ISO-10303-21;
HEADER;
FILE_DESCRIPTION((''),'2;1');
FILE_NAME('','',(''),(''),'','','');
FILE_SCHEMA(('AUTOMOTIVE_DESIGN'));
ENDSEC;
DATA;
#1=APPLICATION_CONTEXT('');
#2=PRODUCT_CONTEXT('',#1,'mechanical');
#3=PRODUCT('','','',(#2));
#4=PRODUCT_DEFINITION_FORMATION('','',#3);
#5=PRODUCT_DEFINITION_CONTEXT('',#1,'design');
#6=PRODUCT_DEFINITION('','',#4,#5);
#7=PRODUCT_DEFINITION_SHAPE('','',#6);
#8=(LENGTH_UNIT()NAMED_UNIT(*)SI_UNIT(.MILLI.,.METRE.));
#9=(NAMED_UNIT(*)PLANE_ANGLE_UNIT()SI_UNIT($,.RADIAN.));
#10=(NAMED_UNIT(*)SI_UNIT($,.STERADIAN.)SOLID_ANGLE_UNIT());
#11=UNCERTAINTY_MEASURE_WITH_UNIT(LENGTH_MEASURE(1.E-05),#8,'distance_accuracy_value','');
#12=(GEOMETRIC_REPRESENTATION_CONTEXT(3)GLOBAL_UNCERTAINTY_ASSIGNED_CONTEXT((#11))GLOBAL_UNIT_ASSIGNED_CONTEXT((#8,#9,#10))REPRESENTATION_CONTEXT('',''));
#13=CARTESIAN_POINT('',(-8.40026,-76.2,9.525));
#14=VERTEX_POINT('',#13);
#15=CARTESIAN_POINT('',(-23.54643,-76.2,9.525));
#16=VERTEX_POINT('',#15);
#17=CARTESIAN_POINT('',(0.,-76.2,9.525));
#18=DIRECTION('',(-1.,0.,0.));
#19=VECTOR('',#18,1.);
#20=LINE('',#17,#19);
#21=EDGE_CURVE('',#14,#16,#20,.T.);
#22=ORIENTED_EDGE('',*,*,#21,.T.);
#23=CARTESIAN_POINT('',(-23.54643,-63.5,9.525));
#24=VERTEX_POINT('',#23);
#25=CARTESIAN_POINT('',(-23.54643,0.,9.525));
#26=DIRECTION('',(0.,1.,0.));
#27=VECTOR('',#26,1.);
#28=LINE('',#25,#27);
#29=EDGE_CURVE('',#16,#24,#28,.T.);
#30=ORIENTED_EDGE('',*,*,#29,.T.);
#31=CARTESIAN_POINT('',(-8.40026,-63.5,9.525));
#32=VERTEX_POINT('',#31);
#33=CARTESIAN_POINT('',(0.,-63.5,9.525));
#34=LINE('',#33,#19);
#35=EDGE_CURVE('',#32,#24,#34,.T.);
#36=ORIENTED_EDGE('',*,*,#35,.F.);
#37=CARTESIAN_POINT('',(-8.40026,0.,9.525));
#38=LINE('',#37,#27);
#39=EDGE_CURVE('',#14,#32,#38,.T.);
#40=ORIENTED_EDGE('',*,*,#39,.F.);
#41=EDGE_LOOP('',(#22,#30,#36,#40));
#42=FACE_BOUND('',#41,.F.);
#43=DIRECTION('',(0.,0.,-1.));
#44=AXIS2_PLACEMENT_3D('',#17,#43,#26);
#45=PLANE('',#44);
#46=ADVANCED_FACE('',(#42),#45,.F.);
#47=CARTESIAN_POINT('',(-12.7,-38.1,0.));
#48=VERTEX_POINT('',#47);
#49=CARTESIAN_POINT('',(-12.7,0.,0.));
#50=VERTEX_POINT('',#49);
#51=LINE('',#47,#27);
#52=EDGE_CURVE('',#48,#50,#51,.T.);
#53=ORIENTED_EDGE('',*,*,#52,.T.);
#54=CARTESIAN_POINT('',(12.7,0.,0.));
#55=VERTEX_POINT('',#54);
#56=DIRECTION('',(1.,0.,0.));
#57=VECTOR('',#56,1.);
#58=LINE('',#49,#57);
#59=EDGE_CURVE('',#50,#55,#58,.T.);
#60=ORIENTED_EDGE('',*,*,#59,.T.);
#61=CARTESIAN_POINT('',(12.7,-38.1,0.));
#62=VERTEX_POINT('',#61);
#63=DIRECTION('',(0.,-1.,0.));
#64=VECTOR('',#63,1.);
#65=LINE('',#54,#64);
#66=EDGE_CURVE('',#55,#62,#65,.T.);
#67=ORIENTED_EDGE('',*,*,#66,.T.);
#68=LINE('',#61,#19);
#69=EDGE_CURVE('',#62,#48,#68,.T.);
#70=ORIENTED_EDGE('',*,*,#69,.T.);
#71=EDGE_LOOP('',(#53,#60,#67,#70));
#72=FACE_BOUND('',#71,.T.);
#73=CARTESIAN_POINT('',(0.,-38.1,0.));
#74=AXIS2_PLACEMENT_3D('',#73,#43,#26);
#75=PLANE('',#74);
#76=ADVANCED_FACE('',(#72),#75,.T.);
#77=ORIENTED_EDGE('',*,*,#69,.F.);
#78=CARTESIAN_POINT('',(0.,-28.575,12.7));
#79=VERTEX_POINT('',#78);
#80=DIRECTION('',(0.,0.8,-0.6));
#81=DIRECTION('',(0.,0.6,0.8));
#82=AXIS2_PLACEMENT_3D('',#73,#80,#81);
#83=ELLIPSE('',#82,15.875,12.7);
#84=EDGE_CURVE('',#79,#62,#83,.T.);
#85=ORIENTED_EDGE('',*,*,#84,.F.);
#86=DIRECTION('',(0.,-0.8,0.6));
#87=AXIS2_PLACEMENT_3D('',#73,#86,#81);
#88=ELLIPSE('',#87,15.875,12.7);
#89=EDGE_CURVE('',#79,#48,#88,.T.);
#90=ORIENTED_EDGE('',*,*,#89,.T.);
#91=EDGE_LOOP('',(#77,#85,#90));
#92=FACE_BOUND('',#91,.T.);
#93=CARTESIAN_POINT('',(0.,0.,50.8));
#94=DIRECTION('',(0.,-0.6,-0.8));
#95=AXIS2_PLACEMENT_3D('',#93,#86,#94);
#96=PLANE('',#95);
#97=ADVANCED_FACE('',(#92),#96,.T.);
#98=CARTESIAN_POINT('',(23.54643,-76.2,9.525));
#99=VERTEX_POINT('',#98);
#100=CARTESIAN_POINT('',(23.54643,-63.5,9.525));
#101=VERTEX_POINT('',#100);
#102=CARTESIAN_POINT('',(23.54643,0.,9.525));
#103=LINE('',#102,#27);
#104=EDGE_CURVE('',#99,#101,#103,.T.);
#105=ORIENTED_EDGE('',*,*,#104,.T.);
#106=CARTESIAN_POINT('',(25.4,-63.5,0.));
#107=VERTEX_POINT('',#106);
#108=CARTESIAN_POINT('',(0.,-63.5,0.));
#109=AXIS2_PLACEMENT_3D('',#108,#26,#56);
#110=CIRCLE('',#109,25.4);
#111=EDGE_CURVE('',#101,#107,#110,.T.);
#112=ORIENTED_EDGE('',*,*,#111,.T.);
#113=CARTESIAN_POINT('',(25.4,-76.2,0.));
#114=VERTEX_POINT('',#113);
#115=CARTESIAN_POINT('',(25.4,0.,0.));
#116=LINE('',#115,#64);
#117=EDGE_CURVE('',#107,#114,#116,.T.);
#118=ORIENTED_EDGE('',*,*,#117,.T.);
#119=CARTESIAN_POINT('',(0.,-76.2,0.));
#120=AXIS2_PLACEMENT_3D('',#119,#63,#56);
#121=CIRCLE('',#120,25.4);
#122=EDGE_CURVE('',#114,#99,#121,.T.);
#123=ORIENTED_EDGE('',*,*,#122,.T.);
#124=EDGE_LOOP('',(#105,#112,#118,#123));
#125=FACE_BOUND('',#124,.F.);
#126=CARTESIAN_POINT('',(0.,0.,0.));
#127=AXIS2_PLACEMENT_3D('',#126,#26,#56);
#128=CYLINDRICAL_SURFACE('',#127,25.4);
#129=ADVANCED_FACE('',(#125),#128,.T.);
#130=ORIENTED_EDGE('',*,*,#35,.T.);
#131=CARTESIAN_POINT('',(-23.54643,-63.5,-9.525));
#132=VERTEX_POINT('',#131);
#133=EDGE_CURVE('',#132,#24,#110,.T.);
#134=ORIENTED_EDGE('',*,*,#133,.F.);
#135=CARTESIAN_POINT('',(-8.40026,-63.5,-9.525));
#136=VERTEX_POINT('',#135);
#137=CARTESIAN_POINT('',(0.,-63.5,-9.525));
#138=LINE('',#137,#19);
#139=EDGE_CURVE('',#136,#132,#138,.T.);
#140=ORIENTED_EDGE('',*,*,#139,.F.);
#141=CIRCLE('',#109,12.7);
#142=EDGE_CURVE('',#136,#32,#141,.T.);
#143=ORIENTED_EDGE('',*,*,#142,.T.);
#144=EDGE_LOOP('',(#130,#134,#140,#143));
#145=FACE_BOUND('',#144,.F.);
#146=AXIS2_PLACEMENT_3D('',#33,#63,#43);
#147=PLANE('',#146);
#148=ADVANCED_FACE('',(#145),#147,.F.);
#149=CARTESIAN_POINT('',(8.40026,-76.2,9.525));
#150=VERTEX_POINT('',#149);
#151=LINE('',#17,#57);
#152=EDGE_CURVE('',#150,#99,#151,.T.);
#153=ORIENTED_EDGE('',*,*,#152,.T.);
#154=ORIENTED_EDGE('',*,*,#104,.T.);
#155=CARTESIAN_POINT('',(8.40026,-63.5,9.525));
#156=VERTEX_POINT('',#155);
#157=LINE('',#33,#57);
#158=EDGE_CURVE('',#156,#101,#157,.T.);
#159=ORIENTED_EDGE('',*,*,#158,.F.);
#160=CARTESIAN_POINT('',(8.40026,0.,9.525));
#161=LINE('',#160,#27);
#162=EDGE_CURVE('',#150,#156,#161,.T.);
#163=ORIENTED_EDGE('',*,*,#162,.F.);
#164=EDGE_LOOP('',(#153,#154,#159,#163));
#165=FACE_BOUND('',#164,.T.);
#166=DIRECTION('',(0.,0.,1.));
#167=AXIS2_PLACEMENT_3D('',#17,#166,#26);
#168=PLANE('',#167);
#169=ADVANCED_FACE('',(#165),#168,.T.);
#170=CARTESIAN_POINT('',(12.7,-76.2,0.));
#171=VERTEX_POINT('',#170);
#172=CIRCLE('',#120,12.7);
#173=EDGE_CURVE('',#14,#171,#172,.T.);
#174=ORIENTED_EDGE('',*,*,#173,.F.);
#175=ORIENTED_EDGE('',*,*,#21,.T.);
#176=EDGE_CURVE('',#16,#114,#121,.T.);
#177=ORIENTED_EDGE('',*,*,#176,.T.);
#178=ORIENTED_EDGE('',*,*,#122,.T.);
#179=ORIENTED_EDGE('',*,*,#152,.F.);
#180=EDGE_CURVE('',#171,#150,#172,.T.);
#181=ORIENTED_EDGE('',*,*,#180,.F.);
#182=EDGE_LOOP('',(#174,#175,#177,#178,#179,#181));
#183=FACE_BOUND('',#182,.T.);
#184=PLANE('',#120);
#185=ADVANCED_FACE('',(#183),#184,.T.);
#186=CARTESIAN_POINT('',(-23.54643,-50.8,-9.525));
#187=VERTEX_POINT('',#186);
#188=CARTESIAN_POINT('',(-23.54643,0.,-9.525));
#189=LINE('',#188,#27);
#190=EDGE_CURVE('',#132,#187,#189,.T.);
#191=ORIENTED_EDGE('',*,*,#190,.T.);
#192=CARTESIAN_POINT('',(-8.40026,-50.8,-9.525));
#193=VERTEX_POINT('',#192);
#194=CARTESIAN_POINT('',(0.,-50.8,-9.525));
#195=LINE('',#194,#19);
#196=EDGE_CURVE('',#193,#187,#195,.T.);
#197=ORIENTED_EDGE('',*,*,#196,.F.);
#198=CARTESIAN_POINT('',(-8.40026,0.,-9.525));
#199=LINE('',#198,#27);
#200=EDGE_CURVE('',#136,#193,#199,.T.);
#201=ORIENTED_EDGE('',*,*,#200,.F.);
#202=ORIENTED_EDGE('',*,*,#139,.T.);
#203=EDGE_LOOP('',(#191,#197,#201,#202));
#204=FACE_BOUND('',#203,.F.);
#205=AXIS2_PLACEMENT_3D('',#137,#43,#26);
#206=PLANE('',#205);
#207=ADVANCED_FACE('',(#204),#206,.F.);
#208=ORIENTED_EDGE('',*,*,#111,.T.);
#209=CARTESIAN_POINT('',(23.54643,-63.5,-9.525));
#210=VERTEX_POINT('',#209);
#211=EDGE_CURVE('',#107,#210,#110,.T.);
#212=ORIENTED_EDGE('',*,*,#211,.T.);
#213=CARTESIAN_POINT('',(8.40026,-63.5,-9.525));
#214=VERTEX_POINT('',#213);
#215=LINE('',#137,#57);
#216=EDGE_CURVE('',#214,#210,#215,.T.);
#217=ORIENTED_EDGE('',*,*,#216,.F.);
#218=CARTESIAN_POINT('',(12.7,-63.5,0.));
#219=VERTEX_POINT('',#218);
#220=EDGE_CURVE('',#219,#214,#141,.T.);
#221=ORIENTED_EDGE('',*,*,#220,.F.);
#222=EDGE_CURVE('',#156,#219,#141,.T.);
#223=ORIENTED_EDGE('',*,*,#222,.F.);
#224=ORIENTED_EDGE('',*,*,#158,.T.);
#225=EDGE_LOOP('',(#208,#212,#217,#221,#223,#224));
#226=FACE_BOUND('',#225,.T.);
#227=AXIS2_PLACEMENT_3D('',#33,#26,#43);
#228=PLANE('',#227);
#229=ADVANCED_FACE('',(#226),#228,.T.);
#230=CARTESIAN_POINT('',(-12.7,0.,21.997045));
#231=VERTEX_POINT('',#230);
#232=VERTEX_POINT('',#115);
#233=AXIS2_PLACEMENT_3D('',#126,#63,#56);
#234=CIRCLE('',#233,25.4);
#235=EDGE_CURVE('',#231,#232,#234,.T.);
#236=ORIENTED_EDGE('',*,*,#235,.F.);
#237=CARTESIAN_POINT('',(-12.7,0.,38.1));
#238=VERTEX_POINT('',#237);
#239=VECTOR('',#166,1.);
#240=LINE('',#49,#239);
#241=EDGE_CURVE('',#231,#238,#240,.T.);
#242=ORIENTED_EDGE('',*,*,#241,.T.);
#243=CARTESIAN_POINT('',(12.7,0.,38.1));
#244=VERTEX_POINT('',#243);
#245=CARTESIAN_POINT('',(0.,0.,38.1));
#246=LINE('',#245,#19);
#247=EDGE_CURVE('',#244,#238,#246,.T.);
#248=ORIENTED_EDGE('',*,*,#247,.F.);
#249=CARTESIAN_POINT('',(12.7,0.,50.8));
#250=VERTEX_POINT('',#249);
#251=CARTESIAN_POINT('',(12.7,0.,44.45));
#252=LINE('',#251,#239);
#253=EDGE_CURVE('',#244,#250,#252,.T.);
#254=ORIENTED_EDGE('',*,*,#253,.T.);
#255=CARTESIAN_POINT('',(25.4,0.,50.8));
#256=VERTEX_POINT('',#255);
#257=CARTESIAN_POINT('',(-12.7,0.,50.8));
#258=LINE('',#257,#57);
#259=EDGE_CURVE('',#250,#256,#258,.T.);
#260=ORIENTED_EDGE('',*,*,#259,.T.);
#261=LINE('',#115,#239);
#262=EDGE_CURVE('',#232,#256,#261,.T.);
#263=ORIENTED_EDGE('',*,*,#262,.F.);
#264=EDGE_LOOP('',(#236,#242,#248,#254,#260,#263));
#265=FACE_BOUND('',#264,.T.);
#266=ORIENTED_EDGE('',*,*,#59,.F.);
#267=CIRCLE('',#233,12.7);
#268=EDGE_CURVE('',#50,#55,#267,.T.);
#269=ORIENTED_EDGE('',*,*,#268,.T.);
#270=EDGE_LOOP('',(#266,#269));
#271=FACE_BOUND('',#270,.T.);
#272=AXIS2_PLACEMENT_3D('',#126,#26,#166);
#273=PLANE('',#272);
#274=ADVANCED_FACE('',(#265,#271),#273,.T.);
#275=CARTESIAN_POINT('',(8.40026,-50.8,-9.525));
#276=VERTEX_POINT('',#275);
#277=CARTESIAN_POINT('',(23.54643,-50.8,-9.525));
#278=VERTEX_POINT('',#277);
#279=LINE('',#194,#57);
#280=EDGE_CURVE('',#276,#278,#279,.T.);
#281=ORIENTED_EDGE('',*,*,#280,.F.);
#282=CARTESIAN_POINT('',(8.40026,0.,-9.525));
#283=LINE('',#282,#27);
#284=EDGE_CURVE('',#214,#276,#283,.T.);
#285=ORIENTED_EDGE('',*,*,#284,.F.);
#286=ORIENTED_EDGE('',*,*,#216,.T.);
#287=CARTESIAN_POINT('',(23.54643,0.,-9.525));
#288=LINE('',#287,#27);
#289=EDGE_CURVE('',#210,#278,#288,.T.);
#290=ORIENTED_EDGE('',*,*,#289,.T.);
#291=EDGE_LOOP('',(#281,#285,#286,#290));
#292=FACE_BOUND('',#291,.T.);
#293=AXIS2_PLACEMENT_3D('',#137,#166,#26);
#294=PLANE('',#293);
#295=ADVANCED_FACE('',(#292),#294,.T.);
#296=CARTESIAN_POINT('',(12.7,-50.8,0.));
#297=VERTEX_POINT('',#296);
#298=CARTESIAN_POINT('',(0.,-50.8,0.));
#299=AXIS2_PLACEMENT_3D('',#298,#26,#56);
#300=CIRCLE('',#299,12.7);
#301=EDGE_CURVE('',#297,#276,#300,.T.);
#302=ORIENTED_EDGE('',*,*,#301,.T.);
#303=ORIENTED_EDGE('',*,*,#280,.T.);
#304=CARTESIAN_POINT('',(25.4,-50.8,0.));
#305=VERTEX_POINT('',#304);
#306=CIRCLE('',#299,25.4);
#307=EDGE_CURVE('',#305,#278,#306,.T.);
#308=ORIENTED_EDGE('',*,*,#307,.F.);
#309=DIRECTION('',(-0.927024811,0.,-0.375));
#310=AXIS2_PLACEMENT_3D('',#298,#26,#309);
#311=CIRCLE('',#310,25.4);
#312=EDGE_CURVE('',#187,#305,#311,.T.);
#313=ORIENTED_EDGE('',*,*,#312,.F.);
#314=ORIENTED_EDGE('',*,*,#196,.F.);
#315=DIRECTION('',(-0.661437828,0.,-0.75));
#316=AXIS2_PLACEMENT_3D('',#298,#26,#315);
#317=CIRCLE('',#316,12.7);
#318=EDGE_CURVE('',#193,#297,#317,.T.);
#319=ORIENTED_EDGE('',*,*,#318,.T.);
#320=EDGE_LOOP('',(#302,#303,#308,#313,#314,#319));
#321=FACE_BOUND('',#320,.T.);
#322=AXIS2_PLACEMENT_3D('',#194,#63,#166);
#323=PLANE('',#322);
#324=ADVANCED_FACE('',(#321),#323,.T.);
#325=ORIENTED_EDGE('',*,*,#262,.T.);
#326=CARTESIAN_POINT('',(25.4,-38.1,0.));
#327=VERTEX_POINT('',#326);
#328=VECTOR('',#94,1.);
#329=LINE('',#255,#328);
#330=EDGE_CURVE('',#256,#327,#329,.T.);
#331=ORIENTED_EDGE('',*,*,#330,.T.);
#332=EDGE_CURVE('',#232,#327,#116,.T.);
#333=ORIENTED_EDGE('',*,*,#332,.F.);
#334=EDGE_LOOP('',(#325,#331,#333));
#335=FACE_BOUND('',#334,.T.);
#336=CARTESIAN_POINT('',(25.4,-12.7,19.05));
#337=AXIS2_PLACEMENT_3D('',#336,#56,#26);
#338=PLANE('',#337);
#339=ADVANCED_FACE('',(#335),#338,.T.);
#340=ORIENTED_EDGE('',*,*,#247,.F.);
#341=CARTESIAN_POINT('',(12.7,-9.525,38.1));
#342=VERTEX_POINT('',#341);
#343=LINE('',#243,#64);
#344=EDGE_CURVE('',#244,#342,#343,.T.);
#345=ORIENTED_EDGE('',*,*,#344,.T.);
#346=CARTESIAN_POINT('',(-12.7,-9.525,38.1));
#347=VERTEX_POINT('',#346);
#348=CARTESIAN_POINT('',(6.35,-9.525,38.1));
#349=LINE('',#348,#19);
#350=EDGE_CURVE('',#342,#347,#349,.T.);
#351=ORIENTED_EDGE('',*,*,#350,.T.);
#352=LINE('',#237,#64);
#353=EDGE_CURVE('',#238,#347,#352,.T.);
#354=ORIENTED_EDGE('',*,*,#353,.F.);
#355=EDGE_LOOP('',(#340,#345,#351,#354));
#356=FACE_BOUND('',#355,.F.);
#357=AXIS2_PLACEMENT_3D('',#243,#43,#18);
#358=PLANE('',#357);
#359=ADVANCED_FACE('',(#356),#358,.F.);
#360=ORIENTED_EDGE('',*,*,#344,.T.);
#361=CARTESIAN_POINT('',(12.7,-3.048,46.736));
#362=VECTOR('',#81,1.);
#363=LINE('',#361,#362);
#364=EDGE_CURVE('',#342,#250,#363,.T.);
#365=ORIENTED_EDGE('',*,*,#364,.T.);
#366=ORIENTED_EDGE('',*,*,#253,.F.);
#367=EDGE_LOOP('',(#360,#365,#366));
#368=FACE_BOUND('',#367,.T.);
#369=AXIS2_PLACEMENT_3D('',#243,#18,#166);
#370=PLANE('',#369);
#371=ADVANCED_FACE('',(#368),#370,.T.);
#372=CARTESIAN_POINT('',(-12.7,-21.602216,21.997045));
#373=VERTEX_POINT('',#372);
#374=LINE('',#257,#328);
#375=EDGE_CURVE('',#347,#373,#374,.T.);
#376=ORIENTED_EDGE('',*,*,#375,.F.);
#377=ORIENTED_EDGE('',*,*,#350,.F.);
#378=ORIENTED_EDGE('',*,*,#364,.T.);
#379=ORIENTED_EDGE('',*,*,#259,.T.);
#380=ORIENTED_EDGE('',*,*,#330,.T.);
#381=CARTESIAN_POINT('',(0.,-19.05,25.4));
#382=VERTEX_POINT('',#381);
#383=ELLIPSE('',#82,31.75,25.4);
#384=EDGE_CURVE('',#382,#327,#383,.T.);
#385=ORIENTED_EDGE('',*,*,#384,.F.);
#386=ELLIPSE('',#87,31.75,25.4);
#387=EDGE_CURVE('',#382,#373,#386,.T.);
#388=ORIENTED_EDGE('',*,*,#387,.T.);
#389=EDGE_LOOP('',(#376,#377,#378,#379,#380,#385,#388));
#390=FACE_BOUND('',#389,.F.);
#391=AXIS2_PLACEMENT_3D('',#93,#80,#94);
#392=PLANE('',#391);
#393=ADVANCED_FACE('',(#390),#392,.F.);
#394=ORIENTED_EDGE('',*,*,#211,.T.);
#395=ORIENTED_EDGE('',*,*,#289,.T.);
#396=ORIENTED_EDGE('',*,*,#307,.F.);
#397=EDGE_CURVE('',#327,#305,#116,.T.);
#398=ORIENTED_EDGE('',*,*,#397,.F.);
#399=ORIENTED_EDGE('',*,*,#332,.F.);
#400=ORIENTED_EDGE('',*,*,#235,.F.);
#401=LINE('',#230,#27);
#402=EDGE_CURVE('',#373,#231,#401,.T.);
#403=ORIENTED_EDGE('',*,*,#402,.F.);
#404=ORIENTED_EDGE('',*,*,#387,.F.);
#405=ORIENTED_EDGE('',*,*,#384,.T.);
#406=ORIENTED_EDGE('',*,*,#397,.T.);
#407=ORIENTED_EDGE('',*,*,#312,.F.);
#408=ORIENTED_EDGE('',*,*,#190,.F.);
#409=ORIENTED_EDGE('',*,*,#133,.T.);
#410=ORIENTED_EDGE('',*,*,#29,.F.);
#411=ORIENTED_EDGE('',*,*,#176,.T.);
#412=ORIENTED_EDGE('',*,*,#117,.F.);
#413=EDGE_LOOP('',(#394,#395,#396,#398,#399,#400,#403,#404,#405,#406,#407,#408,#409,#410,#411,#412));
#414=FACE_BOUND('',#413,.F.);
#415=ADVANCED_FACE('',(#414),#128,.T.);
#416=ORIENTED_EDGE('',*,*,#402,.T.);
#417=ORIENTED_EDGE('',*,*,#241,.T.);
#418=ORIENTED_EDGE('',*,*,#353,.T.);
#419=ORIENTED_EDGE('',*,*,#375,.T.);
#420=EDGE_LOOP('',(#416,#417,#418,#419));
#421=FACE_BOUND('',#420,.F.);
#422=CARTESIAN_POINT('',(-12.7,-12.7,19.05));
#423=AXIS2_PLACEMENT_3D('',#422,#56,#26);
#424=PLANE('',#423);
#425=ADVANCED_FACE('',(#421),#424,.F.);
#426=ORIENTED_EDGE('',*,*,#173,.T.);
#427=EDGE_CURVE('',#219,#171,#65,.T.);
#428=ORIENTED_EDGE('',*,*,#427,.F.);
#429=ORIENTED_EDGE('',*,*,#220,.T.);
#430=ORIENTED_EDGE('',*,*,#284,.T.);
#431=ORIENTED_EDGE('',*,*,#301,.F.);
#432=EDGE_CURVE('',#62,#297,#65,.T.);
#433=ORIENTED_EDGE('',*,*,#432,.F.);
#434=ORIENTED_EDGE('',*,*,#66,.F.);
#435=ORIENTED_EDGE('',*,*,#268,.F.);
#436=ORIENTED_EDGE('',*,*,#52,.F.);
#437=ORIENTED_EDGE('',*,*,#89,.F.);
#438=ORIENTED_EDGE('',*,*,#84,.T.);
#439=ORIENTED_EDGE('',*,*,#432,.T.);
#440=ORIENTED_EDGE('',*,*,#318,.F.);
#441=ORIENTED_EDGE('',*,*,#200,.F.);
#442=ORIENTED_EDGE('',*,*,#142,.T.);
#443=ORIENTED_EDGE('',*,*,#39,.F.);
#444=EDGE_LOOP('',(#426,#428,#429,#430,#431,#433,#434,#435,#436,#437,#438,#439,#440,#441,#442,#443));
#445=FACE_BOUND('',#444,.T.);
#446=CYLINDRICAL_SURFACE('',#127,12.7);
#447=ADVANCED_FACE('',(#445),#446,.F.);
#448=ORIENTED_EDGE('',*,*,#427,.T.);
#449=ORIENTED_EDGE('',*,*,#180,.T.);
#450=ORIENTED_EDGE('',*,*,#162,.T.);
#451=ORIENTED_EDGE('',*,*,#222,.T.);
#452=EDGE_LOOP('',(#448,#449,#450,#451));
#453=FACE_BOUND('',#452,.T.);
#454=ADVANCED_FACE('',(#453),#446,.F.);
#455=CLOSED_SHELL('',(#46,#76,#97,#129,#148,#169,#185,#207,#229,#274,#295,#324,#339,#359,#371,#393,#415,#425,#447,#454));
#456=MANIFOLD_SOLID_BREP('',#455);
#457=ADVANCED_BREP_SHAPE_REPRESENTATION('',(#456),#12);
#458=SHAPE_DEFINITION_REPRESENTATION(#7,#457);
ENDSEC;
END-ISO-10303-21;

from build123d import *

# Parameters (mm, degrees)
F0_R      = 25.4
F0_R_2    = 12.7
F1_DEPTH  = 76.2
F2_W      = 12.7
F2_H      = 9.525
F2_H_2    = 15.875
F3_DEPTH  = 558.8
F4_W      = 12.7
F4_H      = 9.525
F4_H_2    = 15.875
F5_DEPTH  = 279.4
F7_DEPTH  = 25.4
F9_DEPTH  = 12.7
F10_W     = 25.4
F10_H     = 12.7
F11_DEPTH = 25.4


with BuildPart() as f1:
    # F0 (on Front) → F1 (new body)
    with BuildSketch(Plane.XZ):
        Circle(F0_R)
        Circle(F0_R_2, mode=Mode.SUBTRACT)
    extrude(amount=F1_DEPTH)

    # F2 (on Right) → F3 (cut)
    with BuildSketch(Plane.YZ):
        with Locations((-57.15, -4.7625)):
            Rectangle(F2_W, F2_H)
        Polygon((-63.5, 0), (-50.8, 0), (-50.8, 25.4), (-63.5, 25.4), (-63.5, 9.525), align=None)
        with Locations((-69.85, 17.4625)):
            Rectangle(F2_W, F2_H_2)
    extrude(amount=F3_DEPTH, mode=Mode.SUBTRACT)

    # F4 (on Right) → F5 (cut)
    with BuildSketch(Plane.YZ):
        with Locations((-57.15, -4.7625)):
            Rectangle(F4_W, F4_H)
        Polygon((-63.5, 0), (-50.8, 0), (-50.8, 25.4), (-63.5, 25.4), (-63.5, 9.525), align=None)
        with Locations((-69.85, 17.4625)):
            Rectangle(F4_W, F4_H_2)
    extrude(amount=-F5_DEPTH, mode=Mode.SUBTRACT)

    # F6 (on Right) → F7 (join)
    with BuildSketch(Plane.YZ):
        Polygon((-38.1, 0), (0, 0), (0, 50.8), align=None)
    extrude(amount=F7_DEPTH)

    # F8 (on Right) → F9 (join)
    with BuildSketch(Plane.YZ):
        Polygon((-38.1, 0), (0, 0), (0, 50.8), align=None)
    extrude(amount=-F9_DEPTH)

    # F10 (on face) → F11 (cut)
    with BuildSketch(Plane(origin=(0, 0, 0), x_dir=(-1, 0, 0), z_dir=(0, 1, 0))):
        with Locations((0, 44.45)):
            Rectangle(F10_W, F10_H)
    extrude(amount=-F11_DEPTH, mode=Mode.SUBTRACT)


solid = f1.part
